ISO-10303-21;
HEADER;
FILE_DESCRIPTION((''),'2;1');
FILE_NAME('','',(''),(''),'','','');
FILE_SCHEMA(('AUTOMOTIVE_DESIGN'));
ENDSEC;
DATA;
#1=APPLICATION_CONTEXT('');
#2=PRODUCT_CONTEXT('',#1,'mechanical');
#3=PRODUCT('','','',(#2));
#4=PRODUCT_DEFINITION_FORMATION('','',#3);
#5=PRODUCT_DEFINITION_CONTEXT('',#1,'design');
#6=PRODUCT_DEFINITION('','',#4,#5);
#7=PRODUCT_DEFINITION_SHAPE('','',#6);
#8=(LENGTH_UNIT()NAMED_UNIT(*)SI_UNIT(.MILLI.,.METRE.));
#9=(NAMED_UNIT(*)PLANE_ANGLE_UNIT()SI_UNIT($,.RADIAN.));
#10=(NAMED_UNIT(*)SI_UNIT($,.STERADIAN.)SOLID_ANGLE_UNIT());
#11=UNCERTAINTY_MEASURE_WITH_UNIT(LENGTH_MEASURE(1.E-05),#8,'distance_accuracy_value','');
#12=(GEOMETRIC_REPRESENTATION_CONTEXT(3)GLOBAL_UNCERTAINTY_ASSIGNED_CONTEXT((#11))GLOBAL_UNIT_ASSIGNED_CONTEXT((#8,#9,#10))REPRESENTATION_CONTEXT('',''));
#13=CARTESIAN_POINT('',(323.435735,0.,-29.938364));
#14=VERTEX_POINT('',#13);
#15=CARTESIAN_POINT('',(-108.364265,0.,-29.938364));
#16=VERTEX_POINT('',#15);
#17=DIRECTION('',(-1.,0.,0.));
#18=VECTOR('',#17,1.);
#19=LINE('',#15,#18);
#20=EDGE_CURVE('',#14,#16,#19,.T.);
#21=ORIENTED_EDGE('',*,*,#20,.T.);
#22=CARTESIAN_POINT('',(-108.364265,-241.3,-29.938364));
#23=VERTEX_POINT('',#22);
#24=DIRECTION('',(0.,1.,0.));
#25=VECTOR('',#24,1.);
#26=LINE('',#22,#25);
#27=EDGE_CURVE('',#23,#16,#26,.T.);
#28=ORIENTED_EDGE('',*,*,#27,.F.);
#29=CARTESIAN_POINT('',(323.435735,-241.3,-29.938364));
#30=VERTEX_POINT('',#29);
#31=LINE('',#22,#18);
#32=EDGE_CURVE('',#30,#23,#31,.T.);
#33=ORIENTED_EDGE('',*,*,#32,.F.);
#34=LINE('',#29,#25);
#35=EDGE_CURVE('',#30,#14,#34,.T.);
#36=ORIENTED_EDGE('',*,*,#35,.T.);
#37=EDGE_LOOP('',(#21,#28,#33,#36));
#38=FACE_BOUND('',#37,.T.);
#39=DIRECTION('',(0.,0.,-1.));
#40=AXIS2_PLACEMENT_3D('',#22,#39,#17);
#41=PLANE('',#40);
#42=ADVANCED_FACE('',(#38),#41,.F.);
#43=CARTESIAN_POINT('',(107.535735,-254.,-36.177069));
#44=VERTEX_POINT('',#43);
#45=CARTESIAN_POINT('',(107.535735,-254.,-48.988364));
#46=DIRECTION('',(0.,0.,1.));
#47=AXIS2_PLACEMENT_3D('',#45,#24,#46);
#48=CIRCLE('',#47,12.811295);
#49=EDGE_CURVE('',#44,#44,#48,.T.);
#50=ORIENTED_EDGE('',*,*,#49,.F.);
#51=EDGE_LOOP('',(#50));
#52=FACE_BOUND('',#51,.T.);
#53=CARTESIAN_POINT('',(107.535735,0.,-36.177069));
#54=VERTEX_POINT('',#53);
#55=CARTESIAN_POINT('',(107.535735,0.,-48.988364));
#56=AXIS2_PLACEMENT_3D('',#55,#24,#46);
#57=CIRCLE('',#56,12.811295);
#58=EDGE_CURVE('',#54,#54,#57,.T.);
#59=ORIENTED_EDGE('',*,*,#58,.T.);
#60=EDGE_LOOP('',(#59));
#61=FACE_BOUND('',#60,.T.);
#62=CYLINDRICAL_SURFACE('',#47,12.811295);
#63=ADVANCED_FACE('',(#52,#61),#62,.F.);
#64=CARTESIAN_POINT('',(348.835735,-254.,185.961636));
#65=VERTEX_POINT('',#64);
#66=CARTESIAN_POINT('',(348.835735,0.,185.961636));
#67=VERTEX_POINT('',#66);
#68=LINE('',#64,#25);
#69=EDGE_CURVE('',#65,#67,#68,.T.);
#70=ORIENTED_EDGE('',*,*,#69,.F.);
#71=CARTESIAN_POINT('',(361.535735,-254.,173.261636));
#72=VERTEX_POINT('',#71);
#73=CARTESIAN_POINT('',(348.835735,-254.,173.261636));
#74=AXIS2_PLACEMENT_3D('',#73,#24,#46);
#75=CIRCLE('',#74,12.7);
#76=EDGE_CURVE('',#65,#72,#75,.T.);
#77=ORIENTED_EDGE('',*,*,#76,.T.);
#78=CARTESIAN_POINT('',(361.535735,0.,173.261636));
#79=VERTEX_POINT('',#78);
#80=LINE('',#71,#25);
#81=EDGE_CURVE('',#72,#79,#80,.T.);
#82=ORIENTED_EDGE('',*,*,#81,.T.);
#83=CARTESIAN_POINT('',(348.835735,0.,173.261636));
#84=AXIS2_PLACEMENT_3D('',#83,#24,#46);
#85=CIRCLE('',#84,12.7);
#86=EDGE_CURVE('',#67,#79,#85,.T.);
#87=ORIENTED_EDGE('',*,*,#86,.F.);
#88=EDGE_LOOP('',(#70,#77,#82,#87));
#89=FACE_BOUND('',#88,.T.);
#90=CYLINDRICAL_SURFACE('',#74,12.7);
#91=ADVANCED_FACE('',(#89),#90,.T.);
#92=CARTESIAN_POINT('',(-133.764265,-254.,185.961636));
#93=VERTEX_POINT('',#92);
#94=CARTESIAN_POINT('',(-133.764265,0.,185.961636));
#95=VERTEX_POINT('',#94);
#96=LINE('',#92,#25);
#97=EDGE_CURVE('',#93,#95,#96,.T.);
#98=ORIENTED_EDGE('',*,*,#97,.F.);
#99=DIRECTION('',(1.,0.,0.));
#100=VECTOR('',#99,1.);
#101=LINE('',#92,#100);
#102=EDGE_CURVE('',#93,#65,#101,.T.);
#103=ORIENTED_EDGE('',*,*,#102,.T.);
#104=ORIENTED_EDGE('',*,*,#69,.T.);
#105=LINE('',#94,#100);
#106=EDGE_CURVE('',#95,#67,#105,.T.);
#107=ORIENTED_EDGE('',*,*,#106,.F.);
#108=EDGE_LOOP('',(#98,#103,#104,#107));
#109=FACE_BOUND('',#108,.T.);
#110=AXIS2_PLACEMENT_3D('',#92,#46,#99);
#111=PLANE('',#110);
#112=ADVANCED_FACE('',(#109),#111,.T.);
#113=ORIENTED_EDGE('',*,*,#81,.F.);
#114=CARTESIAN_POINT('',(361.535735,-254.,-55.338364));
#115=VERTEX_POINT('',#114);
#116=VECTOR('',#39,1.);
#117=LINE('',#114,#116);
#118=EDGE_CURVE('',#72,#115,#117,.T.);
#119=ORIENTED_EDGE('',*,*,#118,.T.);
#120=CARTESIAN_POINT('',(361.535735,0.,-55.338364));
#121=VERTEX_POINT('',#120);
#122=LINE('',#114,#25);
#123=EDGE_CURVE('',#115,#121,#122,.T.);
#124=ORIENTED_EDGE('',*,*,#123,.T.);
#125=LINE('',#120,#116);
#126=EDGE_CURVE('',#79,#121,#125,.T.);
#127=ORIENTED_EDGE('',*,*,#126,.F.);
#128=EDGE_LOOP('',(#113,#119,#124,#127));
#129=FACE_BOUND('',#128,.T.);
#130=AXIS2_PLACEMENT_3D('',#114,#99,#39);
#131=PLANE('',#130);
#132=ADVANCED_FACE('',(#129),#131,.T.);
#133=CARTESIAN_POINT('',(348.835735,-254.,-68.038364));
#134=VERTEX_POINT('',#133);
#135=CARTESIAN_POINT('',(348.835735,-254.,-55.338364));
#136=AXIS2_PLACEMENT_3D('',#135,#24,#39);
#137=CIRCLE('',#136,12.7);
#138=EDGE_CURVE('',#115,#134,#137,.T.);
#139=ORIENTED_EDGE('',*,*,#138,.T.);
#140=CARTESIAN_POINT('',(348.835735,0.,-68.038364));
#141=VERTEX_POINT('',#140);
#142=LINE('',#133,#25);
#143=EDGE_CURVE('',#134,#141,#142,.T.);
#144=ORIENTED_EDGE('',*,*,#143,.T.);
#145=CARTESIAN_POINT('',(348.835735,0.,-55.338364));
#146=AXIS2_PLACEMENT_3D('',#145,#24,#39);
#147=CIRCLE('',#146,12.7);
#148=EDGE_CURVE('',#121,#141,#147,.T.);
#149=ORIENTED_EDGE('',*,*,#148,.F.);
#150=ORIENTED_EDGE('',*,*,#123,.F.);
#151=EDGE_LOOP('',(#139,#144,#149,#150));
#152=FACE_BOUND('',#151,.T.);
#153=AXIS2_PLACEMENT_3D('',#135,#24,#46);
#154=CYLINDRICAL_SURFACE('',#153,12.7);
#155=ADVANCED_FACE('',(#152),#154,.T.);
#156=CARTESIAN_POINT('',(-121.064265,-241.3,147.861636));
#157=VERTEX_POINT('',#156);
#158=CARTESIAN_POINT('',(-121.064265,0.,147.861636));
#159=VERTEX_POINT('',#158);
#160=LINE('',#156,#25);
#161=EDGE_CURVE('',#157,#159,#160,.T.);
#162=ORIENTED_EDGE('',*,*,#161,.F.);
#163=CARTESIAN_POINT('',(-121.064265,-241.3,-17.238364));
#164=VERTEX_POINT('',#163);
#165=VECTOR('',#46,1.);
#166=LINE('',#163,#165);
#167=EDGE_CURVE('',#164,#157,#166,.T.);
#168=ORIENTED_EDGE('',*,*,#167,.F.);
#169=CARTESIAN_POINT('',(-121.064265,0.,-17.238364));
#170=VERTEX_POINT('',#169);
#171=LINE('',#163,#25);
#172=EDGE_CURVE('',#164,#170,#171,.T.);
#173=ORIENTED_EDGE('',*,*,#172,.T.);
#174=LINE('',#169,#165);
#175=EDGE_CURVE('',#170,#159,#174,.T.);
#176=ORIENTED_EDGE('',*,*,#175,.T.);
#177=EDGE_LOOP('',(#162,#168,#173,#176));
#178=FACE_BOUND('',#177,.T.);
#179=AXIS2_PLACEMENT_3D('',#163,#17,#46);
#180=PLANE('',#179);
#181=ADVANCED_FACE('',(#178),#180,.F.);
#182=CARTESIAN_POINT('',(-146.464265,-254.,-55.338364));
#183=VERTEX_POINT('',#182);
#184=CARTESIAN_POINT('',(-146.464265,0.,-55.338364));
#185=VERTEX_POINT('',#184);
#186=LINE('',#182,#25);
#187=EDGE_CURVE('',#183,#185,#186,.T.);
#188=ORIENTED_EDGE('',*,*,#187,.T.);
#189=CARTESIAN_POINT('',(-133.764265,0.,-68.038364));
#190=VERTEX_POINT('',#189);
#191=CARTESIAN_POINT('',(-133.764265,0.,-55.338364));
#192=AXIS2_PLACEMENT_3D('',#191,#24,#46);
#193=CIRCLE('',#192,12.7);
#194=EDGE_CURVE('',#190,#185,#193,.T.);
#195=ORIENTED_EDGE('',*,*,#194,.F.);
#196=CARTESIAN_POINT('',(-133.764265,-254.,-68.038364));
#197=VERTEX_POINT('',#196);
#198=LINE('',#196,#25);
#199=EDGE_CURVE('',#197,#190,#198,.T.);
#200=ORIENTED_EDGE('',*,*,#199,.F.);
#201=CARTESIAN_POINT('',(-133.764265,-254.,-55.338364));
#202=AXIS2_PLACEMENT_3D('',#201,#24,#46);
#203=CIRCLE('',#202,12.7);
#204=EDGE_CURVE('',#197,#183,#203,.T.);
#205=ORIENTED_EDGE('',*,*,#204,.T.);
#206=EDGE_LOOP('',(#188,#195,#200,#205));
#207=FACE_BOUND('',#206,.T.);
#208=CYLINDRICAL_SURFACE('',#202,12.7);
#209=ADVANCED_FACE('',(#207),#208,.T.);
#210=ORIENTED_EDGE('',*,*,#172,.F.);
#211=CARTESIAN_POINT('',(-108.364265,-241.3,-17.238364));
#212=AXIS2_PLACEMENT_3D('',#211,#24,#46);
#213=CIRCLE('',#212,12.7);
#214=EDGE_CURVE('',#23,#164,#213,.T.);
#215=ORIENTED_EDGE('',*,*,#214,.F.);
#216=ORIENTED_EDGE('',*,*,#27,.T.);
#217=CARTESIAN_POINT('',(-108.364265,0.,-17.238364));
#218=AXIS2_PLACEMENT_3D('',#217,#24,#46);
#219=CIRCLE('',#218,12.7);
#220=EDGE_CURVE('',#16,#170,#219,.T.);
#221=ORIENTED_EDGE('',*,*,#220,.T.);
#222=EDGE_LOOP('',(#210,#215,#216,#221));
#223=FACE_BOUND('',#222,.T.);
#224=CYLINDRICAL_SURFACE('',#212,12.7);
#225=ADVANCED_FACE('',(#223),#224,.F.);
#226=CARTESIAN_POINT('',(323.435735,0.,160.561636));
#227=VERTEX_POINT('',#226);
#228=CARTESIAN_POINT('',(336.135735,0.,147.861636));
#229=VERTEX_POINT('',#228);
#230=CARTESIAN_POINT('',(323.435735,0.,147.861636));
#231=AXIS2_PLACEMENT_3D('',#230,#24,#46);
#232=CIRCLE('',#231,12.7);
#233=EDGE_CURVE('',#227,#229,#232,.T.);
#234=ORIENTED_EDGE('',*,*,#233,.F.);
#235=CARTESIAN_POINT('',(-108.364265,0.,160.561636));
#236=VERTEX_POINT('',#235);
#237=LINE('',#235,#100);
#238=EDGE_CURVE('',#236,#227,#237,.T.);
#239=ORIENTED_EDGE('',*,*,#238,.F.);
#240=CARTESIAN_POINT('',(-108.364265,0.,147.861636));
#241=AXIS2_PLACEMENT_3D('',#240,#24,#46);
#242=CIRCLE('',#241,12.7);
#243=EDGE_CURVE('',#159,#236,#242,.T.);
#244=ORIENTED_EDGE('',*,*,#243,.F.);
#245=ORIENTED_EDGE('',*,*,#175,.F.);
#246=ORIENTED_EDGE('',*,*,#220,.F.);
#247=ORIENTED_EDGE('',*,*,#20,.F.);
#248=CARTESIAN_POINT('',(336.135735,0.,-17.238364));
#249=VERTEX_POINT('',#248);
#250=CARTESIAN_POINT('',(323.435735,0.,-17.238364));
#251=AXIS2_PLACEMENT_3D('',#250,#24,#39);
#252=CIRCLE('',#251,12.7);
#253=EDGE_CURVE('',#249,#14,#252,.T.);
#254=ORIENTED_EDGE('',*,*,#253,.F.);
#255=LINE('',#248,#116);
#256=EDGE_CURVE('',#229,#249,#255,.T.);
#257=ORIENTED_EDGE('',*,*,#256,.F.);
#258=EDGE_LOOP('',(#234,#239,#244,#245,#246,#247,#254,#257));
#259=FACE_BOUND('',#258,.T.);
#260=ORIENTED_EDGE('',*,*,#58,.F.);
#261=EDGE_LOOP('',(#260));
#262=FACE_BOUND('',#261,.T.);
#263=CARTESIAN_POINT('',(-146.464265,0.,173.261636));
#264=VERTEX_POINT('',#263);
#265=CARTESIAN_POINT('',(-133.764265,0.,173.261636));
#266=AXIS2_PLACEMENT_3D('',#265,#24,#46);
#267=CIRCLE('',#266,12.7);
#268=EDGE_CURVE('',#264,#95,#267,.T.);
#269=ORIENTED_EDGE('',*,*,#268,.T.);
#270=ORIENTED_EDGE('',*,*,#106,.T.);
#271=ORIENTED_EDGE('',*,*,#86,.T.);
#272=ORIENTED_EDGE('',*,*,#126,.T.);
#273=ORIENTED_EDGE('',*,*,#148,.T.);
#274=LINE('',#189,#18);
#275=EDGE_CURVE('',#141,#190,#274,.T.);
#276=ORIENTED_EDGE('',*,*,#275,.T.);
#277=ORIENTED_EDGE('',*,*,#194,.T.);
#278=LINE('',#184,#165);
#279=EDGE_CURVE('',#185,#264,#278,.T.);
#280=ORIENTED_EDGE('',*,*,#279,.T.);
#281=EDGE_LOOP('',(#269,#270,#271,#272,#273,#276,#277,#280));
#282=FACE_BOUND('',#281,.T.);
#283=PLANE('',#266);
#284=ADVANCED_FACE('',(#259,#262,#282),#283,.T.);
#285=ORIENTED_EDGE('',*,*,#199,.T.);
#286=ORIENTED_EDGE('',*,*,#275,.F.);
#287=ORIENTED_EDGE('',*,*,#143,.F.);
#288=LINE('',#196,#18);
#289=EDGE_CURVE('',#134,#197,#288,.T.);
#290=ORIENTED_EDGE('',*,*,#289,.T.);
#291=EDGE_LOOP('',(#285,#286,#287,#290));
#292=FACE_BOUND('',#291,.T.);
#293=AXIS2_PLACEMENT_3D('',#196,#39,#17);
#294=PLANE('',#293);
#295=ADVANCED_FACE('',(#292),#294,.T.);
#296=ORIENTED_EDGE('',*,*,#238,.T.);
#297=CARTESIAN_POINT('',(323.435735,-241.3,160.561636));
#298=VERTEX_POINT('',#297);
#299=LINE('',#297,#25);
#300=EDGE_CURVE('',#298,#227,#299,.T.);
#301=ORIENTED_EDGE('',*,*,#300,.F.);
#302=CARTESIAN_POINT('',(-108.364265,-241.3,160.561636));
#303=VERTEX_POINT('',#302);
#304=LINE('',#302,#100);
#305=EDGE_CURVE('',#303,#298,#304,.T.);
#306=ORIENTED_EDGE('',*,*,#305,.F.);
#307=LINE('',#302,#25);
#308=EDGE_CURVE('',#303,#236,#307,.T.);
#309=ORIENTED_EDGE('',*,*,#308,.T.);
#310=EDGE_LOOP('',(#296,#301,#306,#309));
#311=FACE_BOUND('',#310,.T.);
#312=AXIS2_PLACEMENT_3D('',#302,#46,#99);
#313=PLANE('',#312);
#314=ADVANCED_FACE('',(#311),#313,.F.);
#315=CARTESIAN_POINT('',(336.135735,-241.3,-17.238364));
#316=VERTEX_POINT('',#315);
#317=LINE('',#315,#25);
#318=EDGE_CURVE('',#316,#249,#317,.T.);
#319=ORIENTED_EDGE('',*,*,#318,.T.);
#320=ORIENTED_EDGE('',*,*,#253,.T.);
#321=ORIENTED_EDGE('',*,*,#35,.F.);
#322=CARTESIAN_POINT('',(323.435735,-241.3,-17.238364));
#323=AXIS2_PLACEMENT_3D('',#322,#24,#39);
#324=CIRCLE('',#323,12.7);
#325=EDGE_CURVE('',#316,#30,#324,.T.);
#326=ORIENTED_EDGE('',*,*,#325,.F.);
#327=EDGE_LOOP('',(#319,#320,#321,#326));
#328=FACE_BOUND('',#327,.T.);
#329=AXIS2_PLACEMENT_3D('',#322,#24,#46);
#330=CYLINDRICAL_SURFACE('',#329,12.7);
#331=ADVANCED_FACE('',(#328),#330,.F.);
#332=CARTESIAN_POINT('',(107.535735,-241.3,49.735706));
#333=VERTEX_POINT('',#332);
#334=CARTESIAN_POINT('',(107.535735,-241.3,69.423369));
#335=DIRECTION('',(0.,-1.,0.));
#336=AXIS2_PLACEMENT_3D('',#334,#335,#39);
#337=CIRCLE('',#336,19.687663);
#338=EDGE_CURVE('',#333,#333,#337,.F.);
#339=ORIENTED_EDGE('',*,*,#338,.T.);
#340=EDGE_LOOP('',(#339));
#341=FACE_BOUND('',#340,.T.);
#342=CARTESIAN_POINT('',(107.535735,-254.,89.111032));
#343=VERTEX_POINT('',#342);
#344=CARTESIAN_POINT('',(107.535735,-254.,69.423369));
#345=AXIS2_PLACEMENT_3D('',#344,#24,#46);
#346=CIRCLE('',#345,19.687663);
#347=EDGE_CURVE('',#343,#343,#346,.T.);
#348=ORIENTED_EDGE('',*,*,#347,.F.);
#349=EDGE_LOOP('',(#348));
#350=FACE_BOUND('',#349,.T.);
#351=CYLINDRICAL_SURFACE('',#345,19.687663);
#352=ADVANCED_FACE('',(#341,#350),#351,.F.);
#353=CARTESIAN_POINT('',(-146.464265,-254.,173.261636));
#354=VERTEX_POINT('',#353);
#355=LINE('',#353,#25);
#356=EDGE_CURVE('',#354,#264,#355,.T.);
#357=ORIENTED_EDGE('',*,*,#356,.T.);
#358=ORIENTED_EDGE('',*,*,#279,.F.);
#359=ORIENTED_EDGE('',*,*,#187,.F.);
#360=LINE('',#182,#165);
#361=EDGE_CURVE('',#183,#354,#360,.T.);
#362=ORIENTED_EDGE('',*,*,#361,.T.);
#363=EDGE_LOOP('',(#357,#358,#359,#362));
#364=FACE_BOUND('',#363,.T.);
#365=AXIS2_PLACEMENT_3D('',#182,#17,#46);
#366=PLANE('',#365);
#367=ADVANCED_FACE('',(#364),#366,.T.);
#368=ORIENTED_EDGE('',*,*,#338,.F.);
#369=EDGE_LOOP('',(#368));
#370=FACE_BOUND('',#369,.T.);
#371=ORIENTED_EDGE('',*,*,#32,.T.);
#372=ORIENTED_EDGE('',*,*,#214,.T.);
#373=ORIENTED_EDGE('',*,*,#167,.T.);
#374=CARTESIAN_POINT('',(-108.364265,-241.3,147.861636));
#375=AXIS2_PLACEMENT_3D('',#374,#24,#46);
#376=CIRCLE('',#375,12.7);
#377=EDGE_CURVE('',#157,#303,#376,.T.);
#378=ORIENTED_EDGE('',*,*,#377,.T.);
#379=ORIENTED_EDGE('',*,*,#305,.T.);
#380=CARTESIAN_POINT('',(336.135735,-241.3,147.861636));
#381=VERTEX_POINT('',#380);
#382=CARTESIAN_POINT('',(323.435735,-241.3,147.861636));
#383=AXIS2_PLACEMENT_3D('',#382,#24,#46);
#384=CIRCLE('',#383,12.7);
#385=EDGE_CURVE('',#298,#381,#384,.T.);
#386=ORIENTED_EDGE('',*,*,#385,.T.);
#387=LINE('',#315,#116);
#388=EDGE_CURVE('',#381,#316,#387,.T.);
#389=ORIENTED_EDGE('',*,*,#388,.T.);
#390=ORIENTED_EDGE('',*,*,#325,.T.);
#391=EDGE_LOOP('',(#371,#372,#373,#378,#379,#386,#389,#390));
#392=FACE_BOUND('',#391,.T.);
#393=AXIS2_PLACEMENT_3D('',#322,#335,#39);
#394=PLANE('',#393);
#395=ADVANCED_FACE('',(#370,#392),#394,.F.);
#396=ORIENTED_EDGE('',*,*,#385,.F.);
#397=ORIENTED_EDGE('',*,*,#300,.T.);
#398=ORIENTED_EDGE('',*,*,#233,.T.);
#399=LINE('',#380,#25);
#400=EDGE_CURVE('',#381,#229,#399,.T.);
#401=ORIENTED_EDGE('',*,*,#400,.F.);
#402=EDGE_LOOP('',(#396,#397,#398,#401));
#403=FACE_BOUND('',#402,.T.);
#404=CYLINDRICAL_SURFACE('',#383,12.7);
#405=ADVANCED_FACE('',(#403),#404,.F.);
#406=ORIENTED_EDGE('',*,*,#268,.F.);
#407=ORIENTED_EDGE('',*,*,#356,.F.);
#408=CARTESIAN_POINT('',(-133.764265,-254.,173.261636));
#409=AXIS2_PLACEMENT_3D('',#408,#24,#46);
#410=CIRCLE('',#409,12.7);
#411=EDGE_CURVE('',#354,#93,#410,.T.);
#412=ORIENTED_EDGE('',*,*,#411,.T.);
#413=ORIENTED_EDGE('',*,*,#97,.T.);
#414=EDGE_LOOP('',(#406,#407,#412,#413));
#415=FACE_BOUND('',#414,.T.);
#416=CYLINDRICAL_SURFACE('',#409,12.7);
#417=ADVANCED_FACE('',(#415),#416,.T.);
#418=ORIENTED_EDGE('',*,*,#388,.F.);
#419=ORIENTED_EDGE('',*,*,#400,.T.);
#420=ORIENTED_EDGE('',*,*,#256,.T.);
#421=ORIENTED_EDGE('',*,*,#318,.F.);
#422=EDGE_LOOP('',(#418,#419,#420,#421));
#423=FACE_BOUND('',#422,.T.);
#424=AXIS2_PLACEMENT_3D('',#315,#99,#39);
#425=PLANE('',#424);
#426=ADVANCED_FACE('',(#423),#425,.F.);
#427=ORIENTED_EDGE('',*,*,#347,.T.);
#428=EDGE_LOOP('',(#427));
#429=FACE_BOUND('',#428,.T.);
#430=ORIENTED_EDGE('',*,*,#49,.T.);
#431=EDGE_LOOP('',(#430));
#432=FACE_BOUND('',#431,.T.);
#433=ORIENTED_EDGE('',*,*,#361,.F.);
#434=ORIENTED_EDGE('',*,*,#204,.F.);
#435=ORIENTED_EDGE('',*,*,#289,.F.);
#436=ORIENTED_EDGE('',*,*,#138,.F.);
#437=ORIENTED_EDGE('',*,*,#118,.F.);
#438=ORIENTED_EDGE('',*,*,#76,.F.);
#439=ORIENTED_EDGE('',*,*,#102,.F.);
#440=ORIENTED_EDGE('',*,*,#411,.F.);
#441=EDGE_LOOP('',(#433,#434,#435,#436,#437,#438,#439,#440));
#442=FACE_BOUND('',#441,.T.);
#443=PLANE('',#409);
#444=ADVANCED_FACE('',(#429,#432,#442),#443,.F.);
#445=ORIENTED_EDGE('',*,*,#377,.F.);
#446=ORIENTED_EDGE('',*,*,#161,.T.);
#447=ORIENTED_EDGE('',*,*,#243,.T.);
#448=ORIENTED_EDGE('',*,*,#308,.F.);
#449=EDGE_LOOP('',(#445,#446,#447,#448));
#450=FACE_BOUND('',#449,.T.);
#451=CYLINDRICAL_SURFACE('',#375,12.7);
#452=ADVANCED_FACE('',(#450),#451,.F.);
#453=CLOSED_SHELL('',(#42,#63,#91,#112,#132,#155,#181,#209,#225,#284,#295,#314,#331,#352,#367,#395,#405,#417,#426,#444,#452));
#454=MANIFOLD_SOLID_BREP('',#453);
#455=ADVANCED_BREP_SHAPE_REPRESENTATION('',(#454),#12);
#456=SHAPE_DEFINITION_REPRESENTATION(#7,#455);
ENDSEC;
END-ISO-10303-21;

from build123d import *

# Parameters (mm, degrees)
SKETCH1_R           = 12.811295034
SKETCH1_R_2         = 19.687662737
BOSS_EXTRUDE1_DEPTH = 254
CUT_EXTRUDE1_DEPTH  = 241.3


with BuildPart() as part:
    # Sketch1 → Boss-Extrude1 (new body)
    with BuildSketch(Plane(origin=(0, 0, 0), x_dir=(1, 0, 0), z_dir=(0, 1, 0))):
        with BuildLine():
            Line((-133.764264849, 68.038364167), (348.835735151, 68.038364167))
            ThreePointArc((348.835735151, 68.038364167), (357.815991272, 64.318620289), (361.535735151, 55.338364167))
            Line((361.535735151, 55.338364167), (361.535735151, -173.261635833))
            ThreePointArc((361.535735151, -173.261635833), (357.815991272, -182.241891954), (348.835735151, -185.961635833))
            Line((348.835735151, -185.961635833), (-133.764264849, -185.961635833))
            ThreePointArc((-133.764264849, -185.961635833), (-142.74452097, -182.241891954), (-146.464264849, -173.261635833))
            Line((-146.464264849, -173.261635833), (-146.464264849, 55.338364167))
            ThreePointArc((-146.464264849, 55.338364167), (-142.74452097, 64.318620289), (-133.764264849, 68.038364167))
        make_face()
        with Locations((107.535735151, 48.988364167)):
            Circle(SKETCH1_R, mode=Mode.SUBTRACT)
        with Locations((107.535735151, -69.423369036)):
            Circle(SKETCH1_R_2, mode=Mode.SUBTRACT)
    extrude(amount=-BOSS_EXTRUDE1_DEPTH)

    # Sketch2 → Cut-Extrude1 (cut)
    with BuildSketch(Plane(origin=(0, 0, 0), x_dir=(1, 0, 0), z_dir=(0, 1, 0))):
        with BuildLine():
            Line((-108.364264849, 29.938364167), (323.435735151, 29.938364167))
            ThreePointArc((323.435735151, 29.938364167), (332.415991272, 26.218620289), (336.135735151, 17.238364167))
            Line((336.135735151, 17.238364167), (336.135735151, -147.861635833))
            ThreePointArc((336.135735151, -147.861635833), (332.415991272, -156.841891954), (323.435735151, -160.561635833))
            Line((323.435735151, -160.561635833), (-108.364264849, -160.561635833))
            ThreePointArc((-108.364264849, -160.561635833), (-117.34452097, -156.841891954), (-121.064264849, -147.861635833))
            Line((-121.064264849, -147.861635833), (-121.064264849, 17.238364167))
            ThreePointArc((-121.064264849, 17.238364167), (-117.34452097, 26.218620289), (-108.364264849, 29.938364167))
        make_face()
    extrude(amount=-CUT_EXTRUDE1_DEPTH, mode=Mode.SUBTRACT)


solid = part.part
